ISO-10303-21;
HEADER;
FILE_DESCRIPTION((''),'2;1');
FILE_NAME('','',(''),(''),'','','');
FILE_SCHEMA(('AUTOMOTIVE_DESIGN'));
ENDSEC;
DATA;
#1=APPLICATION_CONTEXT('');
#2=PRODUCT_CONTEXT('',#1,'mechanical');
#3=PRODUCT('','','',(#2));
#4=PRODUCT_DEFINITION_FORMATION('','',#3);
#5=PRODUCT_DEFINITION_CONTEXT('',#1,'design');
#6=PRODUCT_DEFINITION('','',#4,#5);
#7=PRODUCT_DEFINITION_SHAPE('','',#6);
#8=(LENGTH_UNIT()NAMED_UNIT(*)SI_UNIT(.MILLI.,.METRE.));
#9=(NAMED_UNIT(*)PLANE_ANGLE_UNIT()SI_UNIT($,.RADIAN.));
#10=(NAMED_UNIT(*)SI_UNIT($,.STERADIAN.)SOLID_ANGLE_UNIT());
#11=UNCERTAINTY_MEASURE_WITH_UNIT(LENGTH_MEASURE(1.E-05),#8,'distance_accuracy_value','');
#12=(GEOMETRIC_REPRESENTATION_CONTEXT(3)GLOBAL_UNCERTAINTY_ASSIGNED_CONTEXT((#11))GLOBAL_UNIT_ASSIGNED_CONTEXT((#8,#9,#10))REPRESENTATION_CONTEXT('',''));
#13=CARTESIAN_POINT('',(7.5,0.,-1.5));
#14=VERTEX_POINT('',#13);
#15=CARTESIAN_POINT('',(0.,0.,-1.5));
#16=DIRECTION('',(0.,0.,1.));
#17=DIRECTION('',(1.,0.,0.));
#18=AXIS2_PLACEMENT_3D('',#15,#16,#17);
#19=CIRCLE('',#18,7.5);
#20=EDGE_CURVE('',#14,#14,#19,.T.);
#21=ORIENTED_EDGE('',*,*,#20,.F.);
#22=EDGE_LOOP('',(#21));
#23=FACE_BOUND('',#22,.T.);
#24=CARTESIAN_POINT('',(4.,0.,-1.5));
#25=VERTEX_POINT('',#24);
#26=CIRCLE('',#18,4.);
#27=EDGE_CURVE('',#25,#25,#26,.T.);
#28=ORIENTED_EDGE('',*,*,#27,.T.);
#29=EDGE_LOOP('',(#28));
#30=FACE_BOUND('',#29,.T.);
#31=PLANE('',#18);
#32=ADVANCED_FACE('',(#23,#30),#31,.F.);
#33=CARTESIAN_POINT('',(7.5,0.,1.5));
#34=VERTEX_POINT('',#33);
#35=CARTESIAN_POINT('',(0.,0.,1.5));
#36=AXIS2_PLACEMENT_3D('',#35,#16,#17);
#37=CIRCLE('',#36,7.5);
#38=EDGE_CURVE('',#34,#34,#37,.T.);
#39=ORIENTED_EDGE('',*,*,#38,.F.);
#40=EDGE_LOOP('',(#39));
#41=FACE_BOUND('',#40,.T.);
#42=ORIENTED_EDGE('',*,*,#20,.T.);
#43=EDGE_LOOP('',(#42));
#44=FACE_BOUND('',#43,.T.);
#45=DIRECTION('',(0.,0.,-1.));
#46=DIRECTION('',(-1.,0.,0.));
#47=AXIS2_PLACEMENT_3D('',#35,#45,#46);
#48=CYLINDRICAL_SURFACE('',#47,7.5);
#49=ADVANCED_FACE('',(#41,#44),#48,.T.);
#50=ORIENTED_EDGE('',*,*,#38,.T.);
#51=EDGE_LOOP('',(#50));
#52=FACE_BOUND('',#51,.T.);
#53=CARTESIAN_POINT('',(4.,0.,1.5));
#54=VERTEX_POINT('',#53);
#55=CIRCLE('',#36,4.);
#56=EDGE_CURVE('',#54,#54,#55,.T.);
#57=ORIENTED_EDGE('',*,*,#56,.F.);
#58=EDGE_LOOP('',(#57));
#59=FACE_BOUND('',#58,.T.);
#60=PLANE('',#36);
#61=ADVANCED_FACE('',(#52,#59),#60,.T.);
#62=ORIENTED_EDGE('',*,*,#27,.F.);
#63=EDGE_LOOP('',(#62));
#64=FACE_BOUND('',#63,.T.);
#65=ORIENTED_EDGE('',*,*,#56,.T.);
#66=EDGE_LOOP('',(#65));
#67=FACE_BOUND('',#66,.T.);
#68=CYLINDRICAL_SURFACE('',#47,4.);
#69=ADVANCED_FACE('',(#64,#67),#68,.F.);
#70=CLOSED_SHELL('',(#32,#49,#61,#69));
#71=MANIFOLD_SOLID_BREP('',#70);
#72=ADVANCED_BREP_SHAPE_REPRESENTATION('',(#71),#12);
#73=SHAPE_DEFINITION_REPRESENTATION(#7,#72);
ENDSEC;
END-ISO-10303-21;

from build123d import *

# Parameters (mm, degrees)
SKETCH1_R           = 7.5
SKETCH1_R_2         = 4
BOSS_EXTRUDE1_DEPTH = 1.5


with BuildPart() as part:
    # Sketch1 → Boss-Extrude1 (new, symmetric)
    with BuildSketch(Plane.XY):
        Circle(SKETCH1_R)
        Circle(SKETCH1_R_2, mode=Mode.SUBTRACT)
    extrude(amount=BOSS_EXTRUDE1_DEPTH, both=True)


solid = part.part
